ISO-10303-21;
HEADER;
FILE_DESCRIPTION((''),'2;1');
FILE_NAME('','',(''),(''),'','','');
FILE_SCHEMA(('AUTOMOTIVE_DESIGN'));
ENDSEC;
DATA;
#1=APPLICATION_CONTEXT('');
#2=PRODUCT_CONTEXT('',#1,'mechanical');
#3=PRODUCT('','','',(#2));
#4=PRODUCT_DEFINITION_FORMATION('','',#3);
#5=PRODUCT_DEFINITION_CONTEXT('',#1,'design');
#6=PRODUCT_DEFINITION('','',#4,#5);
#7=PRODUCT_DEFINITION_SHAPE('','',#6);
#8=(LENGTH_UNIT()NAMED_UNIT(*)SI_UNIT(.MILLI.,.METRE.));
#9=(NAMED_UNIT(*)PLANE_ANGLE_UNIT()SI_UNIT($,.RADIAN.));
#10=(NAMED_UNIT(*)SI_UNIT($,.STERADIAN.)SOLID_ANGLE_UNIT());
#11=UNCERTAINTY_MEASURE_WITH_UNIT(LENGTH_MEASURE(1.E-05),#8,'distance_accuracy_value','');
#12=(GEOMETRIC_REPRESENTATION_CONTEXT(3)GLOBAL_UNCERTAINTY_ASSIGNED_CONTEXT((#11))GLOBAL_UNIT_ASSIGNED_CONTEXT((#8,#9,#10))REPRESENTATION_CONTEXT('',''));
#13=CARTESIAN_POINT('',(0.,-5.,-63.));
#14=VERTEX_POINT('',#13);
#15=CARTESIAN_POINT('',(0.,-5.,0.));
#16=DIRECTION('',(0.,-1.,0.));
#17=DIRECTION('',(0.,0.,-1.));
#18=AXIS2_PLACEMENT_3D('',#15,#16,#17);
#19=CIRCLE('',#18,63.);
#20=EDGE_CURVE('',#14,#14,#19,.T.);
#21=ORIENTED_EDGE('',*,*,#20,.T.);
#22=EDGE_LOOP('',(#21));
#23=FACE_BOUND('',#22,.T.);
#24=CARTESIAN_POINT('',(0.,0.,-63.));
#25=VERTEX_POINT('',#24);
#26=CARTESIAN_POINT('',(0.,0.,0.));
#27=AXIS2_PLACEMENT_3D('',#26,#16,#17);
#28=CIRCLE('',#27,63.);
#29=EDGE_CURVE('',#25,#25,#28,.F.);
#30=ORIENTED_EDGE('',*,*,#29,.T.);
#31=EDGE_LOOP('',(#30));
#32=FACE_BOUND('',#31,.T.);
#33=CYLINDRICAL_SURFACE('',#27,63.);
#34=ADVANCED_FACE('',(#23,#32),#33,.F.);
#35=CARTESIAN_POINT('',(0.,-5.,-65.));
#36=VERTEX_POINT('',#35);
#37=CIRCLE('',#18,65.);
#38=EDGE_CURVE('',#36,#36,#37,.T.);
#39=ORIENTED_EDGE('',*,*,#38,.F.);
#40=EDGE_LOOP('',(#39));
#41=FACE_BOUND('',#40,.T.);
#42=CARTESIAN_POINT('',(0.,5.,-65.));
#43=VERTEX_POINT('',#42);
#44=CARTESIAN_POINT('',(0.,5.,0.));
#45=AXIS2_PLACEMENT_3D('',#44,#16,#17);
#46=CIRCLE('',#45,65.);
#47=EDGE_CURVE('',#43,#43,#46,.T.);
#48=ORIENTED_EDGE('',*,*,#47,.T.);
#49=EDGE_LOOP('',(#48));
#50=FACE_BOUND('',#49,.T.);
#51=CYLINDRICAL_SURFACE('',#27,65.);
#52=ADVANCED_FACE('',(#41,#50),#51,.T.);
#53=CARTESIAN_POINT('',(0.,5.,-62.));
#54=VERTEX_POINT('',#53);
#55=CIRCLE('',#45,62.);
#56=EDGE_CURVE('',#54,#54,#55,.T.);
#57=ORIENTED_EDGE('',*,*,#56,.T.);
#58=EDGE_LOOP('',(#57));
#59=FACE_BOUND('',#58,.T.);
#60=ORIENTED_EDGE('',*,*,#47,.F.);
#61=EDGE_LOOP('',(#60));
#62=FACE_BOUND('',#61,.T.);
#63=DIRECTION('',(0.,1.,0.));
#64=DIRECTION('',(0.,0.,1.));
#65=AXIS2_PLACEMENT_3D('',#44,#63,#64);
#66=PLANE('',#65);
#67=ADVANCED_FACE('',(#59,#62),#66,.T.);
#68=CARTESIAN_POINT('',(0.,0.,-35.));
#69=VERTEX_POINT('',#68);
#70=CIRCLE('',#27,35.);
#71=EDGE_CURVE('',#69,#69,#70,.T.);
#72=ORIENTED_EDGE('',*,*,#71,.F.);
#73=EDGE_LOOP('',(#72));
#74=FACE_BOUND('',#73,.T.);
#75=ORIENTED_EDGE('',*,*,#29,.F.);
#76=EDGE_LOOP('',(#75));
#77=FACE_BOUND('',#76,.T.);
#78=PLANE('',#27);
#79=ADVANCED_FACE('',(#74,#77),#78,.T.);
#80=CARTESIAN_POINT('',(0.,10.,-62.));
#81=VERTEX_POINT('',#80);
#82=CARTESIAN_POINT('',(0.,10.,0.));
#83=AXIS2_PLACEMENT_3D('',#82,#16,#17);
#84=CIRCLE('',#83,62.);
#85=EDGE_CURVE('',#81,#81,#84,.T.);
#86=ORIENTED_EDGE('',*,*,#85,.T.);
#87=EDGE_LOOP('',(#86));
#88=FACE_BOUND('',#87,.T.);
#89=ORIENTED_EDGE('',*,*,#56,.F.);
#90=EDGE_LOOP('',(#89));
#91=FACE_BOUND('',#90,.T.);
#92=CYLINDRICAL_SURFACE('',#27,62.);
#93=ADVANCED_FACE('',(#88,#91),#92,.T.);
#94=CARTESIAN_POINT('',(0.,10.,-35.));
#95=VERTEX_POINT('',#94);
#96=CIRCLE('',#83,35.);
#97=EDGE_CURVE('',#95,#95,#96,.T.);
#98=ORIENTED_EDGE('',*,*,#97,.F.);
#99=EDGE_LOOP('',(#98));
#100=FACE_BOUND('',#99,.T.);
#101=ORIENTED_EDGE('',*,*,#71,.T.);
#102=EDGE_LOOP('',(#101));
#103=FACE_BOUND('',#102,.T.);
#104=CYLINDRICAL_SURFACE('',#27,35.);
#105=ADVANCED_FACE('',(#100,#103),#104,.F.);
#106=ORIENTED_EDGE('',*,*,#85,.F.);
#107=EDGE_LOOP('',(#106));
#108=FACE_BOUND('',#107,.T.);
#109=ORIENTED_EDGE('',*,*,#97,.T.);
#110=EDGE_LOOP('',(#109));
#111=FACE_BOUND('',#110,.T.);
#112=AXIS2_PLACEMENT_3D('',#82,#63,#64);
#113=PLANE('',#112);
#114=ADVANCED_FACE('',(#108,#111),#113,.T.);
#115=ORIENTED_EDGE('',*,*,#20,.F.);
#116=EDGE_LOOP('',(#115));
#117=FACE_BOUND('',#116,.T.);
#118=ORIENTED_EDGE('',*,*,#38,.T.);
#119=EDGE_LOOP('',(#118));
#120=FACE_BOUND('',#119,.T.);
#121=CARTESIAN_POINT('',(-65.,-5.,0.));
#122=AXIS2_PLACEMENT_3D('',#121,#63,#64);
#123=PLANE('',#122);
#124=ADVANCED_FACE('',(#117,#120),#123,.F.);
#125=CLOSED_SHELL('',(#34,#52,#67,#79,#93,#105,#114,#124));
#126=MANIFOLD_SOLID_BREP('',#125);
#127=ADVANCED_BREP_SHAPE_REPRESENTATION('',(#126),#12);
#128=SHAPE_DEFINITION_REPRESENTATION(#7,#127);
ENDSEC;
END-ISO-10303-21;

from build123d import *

# Parameters (mm, degrees)
SZKIC1_W = 2
SZKIC1_H = 5


with BuildPart() as part:
    # Szkic1 → Obrót1 (revolve)
    with BuildSketch(Plane.XY, mode=Mode.PRIVATE) as obr_t1_sk:
        Polygon((-63, 0), (-35, 0), (-35, 10), (-62, 10), (-62, 5), (-65, 5), (-65, 0), align=None)
        with Locations((-64, -2.5)):
            Rectangle(SZKIC1_W, SZKIC1_H)
    revolve(obr_t1_sk.sketch.rotate(Axis((0, 0, 0), (0, 1, 0)), 270), axis=Axis((0, 0, 0), (0, 1, 0)))


solid = part.part
